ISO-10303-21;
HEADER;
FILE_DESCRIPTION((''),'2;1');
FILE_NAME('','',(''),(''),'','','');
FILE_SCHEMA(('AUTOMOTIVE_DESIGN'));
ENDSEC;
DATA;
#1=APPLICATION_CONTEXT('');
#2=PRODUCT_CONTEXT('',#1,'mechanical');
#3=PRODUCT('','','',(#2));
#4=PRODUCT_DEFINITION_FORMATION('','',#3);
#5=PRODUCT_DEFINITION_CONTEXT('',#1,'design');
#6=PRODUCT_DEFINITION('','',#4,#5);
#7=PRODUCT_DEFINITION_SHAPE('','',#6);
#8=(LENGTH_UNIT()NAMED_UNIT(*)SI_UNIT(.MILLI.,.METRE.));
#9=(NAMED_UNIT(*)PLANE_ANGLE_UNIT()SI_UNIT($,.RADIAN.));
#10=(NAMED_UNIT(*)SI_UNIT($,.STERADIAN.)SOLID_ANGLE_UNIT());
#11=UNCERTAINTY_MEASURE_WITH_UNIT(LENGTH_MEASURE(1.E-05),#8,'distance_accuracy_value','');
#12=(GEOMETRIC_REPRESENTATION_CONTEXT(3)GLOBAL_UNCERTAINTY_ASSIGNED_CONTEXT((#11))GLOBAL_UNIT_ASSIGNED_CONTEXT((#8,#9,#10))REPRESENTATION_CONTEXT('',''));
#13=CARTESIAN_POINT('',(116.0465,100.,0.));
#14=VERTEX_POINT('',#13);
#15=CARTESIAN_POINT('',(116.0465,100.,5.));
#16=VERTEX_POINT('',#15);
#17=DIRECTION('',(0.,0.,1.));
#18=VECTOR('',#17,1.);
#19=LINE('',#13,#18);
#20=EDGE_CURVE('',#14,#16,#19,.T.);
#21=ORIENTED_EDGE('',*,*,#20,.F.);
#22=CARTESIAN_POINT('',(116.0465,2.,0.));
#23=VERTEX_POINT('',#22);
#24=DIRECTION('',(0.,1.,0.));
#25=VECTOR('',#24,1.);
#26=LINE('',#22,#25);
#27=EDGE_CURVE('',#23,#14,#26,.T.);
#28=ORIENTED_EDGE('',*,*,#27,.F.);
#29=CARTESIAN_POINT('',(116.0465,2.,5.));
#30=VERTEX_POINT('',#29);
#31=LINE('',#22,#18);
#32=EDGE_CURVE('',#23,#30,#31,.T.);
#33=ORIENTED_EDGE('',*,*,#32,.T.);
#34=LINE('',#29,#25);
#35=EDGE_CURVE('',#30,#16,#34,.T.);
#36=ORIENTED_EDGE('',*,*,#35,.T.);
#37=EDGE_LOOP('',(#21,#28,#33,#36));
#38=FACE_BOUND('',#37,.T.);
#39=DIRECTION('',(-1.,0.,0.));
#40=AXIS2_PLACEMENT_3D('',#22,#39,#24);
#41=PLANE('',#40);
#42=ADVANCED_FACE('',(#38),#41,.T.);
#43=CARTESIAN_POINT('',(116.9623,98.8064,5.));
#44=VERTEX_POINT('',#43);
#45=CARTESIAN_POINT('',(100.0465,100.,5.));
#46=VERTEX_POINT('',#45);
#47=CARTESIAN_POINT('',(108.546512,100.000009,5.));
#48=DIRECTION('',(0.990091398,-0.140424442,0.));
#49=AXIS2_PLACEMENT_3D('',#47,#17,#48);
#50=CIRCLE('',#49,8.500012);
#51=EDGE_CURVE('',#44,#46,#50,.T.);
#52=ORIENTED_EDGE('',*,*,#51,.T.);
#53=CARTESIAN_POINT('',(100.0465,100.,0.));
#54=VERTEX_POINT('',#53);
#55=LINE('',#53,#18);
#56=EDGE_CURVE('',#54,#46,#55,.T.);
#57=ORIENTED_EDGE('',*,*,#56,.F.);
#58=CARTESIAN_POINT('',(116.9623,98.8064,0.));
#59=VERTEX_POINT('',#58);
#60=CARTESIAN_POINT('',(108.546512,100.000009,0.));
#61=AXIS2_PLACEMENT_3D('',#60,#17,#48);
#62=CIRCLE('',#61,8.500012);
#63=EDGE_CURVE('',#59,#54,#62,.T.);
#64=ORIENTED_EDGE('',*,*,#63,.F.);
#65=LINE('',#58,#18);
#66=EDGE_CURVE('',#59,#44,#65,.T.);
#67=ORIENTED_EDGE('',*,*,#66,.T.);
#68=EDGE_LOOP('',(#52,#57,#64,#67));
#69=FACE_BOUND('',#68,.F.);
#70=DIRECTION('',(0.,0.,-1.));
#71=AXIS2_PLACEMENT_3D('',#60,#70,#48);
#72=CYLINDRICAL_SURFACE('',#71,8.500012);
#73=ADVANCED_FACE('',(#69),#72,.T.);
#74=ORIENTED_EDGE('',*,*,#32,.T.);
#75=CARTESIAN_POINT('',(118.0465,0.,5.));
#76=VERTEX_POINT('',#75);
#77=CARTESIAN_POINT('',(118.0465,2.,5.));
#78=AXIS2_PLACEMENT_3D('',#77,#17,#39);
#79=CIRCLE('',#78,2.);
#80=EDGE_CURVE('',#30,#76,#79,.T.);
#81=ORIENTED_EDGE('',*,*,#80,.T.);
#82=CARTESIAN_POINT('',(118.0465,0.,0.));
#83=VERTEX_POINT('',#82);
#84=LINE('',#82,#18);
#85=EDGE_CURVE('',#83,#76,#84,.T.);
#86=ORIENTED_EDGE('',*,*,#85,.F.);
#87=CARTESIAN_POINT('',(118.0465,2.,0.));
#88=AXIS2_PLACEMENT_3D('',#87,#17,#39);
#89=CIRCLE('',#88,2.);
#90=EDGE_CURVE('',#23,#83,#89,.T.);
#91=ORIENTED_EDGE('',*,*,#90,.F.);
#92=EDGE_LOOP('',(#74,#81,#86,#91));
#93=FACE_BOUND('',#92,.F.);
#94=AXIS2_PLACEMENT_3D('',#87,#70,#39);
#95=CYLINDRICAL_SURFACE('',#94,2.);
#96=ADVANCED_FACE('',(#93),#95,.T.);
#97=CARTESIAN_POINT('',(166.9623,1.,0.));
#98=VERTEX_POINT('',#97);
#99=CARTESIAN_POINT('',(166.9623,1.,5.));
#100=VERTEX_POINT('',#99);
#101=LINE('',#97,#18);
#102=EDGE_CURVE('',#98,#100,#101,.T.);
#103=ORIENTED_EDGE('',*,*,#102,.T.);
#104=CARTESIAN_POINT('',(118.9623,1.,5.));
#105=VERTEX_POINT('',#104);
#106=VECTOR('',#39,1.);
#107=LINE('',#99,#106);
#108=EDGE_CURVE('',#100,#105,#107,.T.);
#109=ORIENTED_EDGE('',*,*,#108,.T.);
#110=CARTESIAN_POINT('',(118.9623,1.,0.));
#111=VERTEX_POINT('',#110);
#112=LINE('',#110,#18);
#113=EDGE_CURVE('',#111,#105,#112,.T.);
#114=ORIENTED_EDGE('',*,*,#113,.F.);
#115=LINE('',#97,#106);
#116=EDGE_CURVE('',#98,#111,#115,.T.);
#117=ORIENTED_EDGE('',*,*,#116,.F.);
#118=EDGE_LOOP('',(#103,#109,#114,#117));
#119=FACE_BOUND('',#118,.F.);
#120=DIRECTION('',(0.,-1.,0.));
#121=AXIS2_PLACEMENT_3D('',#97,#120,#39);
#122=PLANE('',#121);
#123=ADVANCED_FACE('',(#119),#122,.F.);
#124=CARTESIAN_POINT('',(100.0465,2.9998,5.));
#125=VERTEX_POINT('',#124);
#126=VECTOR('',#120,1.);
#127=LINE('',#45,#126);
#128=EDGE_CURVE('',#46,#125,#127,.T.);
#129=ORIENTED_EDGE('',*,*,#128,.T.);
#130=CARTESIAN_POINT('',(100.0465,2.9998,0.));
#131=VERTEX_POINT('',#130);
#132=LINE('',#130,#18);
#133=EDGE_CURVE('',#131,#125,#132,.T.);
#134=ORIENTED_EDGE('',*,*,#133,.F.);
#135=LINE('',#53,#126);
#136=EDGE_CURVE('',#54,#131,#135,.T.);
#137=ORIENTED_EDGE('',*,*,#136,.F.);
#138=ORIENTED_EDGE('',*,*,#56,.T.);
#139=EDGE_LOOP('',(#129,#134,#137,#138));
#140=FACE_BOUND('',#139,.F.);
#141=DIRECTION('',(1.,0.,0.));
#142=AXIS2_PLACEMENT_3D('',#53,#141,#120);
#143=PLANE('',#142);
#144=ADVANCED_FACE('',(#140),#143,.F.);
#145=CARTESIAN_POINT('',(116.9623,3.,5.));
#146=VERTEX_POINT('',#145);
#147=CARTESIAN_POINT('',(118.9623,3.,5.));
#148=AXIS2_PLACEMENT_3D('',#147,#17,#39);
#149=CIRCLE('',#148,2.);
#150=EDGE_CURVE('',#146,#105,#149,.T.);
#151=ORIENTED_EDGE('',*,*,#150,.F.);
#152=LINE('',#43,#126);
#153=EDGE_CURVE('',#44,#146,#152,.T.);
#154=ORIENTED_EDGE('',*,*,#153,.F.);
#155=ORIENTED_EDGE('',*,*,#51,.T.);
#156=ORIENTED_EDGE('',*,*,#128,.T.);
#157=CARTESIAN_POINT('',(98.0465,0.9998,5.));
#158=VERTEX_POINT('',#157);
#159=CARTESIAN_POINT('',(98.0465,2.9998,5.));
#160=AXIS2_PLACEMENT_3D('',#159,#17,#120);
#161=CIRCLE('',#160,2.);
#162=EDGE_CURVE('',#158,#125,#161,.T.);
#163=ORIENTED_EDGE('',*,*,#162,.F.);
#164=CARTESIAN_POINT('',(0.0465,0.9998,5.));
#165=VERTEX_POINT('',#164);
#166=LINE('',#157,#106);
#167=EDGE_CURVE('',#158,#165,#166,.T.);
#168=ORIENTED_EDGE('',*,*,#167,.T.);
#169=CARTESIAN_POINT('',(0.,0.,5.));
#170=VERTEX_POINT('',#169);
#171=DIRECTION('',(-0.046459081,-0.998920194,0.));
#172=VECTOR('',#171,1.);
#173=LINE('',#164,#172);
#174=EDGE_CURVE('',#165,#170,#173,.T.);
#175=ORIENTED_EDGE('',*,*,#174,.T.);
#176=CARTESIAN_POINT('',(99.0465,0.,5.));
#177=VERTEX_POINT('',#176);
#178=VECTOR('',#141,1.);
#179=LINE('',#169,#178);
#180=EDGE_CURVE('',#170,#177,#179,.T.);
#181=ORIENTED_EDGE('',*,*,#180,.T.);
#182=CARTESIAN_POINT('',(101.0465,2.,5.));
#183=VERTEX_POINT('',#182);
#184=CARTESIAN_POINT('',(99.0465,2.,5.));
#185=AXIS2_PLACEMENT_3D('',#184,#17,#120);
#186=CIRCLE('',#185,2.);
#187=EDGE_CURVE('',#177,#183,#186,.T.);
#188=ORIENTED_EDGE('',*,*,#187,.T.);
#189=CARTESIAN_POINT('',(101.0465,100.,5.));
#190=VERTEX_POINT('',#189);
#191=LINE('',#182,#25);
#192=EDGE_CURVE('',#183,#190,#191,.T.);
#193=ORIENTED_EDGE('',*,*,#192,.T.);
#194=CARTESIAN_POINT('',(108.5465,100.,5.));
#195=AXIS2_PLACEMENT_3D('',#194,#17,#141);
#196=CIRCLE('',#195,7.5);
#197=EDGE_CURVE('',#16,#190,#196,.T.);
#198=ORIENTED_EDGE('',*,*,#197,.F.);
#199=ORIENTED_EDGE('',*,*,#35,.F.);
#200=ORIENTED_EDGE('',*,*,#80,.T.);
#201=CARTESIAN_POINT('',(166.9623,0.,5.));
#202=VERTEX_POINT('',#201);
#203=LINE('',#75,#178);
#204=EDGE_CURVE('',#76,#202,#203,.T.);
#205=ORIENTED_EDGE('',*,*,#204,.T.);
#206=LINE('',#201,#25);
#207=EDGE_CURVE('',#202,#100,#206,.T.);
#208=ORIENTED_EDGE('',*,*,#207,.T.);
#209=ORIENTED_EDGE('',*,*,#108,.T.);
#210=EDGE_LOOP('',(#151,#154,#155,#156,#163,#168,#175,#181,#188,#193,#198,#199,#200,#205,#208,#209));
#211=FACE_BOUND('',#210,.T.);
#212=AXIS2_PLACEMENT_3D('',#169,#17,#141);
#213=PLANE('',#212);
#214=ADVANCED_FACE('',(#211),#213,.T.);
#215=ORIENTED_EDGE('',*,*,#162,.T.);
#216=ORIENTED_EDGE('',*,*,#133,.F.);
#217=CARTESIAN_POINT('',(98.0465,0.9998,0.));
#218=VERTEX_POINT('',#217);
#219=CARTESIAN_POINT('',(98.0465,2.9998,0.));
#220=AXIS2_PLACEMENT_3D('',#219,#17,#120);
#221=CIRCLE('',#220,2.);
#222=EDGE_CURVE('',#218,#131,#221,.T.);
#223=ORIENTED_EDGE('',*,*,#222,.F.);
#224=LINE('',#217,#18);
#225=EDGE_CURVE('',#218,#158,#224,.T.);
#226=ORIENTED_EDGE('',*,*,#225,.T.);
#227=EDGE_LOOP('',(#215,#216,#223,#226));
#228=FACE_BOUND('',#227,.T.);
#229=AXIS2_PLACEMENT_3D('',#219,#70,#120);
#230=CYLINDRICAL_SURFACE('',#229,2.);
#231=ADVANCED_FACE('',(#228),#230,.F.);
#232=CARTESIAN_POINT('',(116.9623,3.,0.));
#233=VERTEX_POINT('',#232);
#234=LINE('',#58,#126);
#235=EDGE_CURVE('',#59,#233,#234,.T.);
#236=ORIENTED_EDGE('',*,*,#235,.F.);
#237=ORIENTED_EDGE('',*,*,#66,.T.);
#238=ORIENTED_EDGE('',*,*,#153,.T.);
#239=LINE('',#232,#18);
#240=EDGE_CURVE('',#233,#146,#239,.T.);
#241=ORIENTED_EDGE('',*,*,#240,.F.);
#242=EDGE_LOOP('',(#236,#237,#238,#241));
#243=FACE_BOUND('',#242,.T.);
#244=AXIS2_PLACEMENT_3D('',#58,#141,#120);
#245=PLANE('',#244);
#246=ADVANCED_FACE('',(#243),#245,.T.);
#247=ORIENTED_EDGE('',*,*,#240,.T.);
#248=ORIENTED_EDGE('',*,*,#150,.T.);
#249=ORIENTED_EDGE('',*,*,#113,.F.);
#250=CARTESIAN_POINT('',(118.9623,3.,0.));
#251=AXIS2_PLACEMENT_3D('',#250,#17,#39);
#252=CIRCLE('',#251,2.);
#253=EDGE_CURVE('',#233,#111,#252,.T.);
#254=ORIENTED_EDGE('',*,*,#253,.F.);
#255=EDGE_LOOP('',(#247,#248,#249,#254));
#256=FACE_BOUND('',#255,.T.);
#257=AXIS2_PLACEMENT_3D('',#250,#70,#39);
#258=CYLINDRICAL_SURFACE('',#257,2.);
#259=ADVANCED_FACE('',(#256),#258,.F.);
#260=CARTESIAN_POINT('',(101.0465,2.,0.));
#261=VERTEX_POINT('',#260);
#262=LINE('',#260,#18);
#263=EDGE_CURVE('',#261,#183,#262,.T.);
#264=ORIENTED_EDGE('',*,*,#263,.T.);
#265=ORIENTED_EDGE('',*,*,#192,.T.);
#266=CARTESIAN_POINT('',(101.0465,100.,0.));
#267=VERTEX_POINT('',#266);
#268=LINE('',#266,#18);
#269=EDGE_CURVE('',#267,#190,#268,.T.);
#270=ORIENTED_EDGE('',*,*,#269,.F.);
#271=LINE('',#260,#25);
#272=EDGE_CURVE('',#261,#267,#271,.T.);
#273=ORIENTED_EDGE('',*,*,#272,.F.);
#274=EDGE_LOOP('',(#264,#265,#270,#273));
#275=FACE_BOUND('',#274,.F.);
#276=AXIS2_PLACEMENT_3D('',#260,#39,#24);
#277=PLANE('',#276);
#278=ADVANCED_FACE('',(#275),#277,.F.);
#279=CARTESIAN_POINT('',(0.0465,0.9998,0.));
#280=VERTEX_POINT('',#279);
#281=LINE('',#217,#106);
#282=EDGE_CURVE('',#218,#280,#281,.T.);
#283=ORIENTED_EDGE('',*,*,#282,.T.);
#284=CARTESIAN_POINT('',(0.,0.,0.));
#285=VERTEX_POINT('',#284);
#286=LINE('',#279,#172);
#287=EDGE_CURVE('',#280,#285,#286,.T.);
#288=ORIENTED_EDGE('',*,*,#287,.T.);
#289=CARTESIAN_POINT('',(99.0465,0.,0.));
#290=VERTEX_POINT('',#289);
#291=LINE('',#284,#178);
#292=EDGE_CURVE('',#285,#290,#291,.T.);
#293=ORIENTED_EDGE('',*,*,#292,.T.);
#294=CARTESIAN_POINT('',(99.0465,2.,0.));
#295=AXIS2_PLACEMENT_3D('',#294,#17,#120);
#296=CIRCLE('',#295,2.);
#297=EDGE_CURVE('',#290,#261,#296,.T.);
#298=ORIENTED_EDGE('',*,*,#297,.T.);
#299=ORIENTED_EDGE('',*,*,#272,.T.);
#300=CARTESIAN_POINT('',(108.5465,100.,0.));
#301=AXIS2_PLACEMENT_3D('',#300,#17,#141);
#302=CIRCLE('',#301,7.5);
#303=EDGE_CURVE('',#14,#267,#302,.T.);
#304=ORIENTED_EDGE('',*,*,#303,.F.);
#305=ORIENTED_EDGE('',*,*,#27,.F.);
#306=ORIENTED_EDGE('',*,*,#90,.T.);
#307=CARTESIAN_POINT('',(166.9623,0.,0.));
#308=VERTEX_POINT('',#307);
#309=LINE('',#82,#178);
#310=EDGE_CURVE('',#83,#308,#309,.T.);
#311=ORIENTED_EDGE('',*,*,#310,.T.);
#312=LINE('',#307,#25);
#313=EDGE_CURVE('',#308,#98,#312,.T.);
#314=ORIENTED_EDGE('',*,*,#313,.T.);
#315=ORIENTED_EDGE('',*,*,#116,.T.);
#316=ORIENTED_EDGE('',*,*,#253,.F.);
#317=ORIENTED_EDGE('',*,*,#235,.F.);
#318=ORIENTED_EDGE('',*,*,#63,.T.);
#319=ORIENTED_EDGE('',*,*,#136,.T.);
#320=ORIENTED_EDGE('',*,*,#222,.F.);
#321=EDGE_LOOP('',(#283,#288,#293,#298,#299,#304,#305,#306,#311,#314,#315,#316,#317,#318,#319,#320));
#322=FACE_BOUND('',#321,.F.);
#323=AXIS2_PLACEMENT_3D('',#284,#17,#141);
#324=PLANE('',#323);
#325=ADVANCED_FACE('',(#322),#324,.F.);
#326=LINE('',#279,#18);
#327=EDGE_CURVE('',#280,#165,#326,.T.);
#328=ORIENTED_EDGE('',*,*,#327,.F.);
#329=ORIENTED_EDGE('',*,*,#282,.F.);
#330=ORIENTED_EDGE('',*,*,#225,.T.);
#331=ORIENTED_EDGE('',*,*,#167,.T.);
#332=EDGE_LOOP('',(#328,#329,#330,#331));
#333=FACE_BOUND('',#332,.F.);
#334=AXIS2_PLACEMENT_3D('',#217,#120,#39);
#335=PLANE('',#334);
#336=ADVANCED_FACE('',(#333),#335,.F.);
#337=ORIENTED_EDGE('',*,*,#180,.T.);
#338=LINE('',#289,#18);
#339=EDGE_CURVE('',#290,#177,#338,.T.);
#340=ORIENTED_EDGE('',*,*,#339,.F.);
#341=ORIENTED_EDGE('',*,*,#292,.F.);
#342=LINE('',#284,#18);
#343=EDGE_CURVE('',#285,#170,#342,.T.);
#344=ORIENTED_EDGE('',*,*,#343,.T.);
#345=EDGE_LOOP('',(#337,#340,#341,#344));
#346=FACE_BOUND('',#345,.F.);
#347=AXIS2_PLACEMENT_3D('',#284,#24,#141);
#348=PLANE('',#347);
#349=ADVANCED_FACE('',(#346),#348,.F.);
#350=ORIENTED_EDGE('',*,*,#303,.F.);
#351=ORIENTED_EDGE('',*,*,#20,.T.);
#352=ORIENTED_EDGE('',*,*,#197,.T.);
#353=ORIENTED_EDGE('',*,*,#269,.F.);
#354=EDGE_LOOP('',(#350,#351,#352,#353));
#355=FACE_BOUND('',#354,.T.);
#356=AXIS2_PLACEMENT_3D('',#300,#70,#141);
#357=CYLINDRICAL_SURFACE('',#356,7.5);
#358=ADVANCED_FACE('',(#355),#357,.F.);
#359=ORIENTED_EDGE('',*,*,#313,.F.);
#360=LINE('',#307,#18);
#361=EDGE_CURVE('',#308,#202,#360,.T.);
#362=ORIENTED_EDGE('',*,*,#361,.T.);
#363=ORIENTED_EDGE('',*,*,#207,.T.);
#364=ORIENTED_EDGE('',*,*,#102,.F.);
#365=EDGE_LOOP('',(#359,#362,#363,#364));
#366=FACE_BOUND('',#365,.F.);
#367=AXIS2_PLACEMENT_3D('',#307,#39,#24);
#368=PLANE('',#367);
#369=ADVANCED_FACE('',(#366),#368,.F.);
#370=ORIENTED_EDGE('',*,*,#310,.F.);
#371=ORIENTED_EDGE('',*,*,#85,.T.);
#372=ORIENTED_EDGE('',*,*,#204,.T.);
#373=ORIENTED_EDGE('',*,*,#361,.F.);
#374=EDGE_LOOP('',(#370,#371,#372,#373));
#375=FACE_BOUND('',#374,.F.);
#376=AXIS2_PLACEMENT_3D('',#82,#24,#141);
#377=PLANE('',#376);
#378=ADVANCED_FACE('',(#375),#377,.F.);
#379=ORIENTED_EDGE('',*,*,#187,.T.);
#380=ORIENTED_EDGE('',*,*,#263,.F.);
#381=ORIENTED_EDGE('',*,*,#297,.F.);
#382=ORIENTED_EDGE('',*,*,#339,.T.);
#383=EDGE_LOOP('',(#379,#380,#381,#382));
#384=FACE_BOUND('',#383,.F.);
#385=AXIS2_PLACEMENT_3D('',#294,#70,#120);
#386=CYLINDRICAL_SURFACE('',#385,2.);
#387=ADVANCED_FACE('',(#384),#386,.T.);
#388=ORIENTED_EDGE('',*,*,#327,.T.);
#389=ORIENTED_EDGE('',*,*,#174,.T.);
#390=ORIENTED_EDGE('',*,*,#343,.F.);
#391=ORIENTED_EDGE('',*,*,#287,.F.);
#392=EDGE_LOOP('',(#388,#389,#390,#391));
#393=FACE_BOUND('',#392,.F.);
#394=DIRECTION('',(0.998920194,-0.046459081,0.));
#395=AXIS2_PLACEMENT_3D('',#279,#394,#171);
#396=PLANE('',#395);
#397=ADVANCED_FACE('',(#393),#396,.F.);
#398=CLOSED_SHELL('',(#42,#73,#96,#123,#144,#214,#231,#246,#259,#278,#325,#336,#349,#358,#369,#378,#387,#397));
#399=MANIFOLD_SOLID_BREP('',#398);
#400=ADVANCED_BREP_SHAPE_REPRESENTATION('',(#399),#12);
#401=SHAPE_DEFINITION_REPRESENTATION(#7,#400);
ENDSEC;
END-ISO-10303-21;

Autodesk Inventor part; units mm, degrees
ref_plane "YZ Plane" through (0, 0, 0) normal (1, 0, 0) x (0, 1, 0)
ref_plane "XZ Plane" through (0, 0, 0) normal (0, 1, 0) x (-1, 0, 0)
ref_plane "XY Plane" through (0, 0, 0) normal (0, 0, 1) x (1, 0, 0)
sketch "Sketch1" plane through (0, 0, 0) normal (0, 0, 1) x (1, 0, 0)
  line L0 (0, 0) -> (99.0465, 0)
  line L1 (98.0465, 0.9998) -> (0.0465, 0.9998)
  line L2 (0.0465, 0.9998) -> (0, 0)
  line L3 (100.0262, 0) -> (101.0465, 0)
  line L4 (101.0465, 2) -> (101.0465, 100)
  line L5 (100.0465, 100) -> (100.0465, 2.9998)
  line L6 (116.9623, 98.8064) -> (116.9623, 3)
  line L7 (116.735, 0) -> (116.0465, 0.7253)
  line L8 (116.0465, 2) -> (116.0465, 100)
  arc A0 (116.9623, 98.8064) -> (100.0465, 100) centre (108.5465, 100) ccw
  arc A1 (116.0465, 100) -> (101.0465, 100) centre (108.5465, 100) ccw
  line L9 (118.0465, 0) -> (166.9623, 0)
  line L10 (166.9623, 0) -> (166.9623, 1)
  line L11 (166.9623, 1) -> (118.9623, 1)
  arc A2 (116.9623, 3) -> (118.9623, 1) centre (118.9623, 3) ccw
  arc A3 (116.0465, 2) -> (118.0465, 0) centre (118.0465, 2) ccw
  arc A4 (98.0465, 0.9998) -> (100.0465, 2.9998) centre (98.0465, 2.9998) ccw
  arc A5 (99.0465, 0) -> (101.0465, 2) centre (99.0465, 2) ccw
  point P0 (100.0465, 0.9998)
  point P1 (116.9623, 1)
  dimension "d0" = 100
  dimension "d1" = 1
  dimension "d2" = 100
  dimension "d3" = 1
  dimension "d4" = 1
  dimension "d6" = 15
  dimension "d7" = 17
  dimension "d8" = 8.5
  dimension "d9" = 15
  dimension "d10" = 50
  dimension "d11" = 1
  dimension "d12" = 2
  dimension "d15" = 100
extrude "Extrusion1" add sketch "Sketch1" along normal blind 5
equation "\"d3\" = d1"
equation "\"d4\" = d3"
equation "\"d15\" = d2"
properties part number "HeaderSliderBelt" material "Rubber"
